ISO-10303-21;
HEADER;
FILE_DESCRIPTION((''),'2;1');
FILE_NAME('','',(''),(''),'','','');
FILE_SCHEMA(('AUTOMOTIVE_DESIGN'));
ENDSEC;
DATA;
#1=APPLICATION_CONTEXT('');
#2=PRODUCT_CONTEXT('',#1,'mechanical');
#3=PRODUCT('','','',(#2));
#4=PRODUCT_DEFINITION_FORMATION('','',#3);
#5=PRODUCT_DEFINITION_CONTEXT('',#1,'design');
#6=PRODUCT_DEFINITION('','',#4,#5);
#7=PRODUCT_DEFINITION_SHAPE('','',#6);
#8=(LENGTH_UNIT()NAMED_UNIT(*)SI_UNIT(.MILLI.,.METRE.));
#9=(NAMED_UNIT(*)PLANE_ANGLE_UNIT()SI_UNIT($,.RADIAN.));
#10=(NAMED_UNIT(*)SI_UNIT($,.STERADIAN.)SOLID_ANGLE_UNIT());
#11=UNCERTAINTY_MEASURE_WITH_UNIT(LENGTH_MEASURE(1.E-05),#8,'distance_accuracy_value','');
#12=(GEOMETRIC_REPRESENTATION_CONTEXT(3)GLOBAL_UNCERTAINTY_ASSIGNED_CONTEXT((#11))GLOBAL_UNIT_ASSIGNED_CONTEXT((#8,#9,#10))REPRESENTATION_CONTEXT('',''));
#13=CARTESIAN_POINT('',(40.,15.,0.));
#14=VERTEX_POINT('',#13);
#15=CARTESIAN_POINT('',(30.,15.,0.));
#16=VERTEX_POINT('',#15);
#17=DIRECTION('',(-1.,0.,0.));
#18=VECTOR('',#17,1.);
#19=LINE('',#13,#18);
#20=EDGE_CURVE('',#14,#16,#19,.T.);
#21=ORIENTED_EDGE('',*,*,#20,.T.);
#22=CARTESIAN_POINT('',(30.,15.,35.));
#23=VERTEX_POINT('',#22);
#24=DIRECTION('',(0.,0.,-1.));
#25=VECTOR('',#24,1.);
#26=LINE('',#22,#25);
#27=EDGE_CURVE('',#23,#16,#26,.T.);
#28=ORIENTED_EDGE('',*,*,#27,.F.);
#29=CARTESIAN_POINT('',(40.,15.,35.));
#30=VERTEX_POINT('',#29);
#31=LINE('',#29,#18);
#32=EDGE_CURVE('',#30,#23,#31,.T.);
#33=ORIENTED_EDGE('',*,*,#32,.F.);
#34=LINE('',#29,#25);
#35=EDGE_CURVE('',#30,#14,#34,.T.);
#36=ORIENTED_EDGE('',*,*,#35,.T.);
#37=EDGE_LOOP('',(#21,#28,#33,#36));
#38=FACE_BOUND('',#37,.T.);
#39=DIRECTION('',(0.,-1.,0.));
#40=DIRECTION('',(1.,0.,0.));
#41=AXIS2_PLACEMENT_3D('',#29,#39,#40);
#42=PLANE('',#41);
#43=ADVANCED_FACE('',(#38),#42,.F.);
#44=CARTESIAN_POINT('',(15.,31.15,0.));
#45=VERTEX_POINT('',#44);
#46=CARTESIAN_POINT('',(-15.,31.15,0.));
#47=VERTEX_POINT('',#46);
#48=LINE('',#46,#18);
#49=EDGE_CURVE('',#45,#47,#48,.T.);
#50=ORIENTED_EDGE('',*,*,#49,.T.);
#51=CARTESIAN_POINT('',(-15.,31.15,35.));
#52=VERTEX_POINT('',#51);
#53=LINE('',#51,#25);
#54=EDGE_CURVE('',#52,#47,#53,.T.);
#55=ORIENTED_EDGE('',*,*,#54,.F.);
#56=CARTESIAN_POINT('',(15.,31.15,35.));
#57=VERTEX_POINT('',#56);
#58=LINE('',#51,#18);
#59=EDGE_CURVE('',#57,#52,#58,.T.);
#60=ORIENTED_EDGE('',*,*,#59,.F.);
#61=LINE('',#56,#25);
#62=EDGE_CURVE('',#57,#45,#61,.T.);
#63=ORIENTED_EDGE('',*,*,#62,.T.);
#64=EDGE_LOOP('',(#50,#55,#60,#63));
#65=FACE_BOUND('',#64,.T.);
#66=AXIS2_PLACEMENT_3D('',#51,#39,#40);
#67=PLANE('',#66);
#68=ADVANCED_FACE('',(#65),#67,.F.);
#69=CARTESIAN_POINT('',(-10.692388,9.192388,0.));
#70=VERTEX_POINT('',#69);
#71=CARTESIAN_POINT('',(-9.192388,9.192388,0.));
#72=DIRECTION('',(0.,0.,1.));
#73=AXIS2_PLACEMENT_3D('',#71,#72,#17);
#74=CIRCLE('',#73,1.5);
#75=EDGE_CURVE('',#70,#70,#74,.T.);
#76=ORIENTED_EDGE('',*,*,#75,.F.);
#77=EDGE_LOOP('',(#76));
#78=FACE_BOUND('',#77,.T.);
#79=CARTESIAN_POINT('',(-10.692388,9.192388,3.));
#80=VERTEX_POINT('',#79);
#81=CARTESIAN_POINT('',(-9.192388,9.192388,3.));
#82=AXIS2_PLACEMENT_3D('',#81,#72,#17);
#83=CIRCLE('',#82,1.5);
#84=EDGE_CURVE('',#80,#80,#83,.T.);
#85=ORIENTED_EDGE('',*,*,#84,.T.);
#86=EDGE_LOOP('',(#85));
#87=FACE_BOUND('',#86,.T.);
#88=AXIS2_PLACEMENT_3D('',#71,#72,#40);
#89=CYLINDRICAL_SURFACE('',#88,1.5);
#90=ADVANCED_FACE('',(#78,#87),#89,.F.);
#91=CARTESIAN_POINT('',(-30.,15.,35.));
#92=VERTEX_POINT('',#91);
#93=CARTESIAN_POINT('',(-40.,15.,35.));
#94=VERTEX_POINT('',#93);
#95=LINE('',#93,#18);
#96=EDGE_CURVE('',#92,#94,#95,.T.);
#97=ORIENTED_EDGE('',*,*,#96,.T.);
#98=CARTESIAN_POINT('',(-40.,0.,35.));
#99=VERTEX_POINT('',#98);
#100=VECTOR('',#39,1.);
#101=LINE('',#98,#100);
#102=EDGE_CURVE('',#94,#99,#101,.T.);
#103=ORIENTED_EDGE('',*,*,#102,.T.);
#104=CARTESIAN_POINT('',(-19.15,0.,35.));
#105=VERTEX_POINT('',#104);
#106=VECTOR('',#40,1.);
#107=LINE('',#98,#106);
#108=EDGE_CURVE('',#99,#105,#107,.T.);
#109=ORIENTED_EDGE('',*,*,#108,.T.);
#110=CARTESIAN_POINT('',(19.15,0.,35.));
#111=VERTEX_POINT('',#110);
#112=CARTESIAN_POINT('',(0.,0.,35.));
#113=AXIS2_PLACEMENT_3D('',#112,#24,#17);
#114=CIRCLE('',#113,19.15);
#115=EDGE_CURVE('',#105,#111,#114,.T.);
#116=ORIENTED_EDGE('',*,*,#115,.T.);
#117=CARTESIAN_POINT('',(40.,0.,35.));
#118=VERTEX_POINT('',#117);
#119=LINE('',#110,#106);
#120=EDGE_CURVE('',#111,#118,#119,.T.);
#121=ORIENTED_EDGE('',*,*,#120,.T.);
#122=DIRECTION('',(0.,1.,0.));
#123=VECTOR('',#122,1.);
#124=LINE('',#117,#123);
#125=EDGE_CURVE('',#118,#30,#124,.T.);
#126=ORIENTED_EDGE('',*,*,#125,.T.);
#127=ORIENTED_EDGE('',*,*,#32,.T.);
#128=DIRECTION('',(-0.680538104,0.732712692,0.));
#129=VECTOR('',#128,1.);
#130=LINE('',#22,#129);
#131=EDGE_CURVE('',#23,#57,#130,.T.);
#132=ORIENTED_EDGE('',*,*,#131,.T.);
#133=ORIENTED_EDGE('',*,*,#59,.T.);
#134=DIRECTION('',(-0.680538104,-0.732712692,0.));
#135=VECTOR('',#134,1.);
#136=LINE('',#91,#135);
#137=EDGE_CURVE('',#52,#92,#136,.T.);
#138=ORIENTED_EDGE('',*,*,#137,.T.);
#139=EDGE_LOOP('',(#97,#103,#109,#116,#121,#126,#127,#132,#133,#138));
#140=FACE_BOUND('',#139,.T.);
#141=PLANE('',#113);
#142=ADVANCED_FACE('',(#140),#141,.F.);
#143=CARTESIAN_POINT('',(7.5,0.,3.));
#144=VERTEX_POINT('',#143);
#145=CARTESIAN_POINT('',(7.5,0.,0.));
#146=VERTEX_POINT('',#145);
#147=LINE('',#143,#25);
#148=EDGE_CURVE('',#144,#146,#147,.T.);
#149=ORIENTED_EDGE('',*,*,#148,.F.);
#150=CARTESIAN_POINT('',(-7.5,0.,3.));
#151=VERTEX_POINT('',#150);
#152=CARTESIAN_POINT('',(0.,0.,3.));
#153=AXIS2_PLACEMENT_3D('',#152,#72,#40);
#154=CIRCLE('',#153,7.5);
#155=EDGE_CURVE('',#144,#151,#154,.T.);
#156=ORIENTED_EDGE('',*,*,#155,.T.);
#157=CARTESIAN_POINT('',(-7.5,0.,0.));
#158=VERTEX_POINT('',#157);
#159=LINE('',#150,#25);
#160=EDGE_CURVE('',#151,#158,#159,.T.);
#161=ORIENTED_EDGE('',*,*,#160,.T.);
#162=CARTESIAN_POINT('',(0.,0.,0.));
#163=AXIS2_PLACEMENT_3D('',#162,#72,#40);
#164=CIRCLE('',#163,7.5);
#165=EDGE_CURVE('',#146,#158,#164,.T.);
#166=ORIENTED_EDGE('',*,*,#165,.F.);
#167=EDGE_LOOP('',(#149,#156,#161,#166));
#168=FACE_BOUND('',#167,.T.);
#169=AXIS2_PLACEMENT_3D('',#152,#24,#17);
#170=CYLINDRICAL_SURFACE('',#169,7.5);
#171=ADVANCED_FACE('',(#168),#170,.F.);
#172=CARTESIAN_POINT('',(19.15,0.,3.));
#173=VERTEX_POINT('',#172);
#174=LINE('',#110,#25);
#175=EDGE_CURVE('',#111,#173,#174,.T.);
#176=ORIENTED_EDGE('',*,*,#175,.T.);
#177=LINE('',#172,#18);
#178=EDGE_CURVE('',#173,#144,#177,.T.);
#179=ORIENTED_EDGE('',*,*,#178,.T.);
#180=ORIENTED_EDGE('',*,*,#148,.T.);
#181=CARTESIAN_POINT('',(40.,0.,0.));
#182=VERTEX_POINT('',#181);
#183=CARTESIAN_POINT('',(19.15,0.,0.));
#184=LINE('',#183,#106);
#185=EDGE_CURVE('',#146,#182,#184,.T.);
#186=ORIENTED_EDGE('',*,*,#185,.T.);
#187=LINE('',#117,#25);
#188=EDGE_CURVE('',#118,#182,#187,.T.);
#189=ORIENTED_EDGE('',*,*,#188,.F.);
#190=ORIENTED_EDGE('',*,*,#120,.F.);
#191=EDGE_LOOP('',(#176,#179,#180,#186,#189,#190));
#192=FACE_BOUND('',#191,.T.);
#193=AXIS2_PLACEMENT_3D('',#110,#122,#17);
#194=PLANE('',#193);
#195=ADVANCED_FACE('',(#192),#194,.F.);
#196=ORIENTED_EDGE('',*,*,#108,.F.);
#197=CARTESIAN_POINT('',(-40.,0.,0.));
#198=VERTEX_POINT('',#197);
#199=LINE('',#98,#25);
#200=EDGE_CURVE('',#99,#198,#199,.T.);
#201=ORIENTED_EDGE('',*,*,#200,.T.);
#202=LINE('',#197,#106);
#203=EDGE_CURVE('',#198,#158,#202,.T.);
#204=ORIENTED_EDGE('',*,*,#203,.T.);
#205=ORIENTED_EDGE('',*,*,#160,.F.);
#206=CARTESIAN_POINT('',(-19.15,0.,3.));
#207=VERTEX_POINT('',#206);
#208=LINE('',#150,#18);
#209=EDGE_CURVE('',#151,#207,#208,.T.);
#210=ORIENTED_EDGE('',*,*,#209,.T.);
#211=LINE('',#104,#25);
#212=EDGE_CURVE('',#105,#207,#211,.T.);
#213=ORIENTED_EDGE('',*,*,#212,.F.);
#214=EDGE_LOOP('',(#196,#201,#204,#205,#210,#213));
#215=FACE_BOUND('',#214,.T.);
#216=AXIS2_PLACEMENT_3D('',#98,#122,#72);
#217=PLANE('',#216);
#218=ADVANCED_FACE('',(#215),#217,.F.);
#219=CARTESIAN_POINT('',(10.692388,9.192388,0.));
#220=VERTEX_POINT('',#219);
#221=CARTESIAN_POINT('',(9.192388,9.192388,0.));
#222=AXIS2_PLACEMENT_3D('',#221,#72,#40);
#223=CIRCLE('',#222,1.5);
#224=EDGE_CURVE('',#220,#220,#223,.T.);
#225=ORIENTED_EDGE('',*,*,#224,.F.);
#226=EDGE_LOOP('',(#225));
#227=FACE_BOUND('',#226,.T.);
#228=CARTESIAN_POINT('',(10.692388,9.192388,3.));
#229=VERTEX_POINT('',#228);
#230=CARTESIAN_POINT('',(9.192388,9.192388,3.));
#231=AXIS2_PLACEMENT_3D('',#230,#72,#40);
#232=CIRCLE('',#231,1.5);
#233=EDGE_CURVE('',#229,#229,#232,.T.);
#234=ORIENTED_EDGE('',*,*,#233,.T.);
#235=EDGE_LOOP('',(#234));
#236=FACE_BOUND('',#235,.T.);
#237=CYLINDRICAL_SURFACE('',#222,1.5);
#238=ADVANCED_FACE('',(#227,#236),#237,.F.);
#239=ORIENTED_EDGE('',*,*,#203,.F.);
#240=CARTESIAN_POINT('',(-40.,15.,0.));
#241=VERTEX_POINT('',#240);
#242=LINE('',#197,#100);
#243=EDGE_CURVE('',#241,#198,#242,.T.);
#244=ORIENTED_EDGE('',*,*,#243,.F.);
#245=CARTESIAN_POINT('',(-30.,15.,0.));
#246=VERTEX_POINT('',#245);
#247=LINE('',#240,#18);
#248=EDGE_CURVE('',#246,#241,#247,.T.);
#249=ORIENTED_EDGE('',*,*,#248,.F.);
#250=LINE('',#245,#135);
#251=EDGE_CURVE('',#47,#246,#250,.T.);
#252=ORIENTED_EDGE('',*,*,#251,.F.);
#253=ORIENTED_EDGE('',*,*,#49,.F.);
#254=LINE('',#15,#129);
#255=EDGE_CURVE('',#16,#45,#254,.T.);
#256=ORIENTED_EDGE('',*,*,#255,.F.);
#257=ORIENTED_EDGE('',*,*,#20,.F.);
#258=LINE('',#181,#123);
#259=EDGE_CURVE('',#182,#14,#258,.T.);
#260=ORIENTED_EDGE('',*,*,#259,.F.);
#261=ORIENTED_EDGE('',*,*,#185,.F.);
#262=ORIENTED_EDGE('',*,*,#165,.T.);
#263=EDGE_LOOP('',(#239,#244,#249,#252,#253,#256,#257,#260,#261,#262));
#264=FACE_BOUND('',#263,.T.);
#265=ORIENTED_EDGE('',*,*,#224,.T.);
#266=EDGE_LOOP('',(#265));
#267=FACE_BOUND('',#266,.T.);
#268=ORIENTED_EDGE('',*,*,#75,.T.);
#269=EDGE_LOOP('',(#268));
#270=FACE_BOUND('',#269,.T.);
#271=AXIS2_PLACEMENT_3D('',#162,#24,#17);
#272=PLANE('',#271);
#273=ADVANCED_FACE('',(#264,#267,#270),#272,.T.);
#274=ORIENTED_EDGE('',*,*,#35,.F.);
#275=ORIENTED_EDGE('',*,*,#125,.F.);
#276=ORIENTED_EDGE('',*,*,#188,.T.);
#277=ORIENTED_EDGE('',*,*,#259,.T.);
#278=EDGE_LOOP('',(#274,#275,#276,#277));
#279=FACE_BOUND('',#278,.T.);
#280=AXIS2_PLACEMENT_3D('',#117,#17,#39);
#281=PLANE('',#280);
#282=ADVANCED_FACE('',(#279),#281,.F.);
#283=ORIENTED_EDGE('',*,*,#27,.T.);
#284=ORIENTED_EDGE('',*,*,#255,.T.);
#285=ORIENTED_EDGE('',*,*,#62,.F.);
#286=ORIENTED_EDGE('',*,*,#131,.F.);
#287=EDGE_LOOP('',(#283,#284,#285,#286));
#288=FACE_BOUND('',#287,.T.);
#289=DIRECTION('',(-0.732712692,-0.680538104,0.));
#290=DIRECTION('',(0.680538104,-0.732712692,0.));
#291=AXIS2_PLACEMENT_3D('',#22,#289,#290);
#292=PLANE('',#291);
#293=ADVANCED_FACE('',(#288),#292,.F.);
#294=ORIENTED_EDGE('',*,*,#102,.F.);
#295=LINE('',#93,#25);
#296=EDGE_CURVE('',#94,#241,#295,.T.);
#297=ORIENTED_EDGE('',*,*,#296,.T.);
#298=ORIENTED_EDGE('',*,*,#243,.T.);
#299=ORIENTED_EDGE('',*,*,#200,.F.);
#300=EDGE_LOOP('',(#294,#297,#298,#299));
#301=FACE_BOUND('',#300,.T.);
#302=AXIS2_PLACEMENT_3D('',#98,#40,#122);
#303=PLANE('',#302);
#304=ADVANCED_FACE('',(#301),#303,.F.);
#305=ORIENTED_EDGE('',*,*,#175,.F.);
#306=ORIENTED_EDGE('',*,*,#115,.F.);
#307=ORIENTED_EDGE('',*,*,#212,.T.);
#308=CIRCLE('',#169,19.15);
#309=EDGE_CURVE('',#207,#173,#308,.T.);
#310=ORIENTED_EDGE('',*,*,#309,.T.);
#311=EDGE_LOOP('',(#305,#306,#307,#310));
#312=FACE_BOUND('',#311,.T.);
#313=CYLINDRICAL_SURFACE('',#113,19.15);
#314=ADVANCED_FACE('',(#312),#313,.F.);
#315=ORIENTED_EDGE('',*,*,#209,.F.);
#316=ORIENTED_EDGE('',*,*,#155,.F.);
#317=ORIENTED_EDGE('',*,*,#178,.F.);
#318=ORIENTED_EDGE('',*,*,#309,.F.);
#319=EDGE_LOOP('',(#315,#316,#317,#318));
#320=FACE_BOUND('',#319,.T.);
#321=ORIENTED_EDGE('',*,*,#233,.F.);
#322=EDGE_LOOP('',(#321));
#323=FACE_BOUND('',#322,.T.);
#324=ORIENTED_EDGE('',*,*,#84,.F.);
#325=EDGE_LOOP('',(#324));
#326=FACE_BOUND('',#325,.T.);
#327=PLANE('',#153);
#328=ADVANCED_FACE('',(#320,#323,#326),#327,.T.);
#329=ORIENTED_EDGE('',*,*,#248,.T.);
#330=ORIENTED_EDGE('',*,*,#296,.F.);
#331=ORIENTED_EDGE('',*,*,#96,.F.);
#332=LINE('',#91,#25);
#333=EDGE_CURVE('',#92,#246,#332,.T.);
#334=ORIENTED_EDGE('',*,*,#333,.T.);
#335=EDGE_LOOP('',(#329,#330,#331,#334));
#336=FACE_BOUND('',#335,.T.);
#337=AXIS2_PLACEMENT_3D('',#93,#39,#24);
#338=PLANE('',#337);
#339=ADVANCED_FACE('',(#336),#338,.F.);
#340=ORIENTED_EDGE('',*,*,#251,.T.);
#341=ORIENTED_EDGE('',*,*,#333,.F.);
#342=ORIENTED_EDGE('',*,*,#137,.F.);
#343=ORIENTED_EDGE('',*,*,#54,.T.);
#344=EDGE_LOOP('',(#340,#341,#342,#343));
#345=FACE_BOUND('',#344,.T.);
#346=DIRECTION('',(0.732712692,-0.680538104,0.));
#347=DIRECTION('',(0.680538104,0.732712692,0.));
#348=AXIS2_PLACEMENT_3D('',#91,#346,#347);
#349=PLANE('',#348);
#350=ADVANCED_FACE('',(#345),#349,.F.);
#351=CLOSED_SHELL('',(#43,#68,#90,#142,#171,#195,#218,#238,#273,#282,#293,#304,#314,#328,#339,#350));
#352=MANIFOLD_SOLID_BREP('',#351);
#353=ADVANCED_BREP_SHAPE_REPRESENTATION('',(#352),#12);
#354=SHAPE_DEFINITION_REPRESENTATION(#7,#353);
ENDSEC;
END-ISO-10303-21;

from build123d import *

# Parameters (mm, degrees)
BOSS_EXTRUDE3_DEPTH = 35
BOSS_EXTRUDE4_DEPTH = 3
SKETCH4_R           = 1.5
CUT_EXTRUDE2_DEPTH  = 4


with BuildPart() as part:
    # Sketch1 → Boss-Extrude3 (new body)
    with BuildSketch(Plane.XY):
        with BuildLine():
            Line((19.15, 0), (40, 0))
            Line((40, 0), (40, 15))
            Line((40, 15), (30, 15))
            Line((30, 15), (15, 31.15))
            Line((15, 31.15), (-15, 31.15))
            Line((-15, 31.15), (-30, 15))
            Line((-30, 15), (-40, 15))
            Line((-40, 15), (-40, 0))
            Line((-40, 0), (-19.15, 0))
            ThreePointArc((-19.15, 0), (0, 19.15), (19.15, 0))
        make_face()
    extrude(amount=BOSS_EXTRUDE3_DEPTH)

    # Sketch6 → Boss-Extrude4 (add)
    with BuildSketch(Plane(origin=(0, 0, 0), x_dir=(-1, 0, 0), z_dir=(0, 0, -1))):
        with BuildLine():
            Line((-19.15, 0), (-7.5, 0))
            ThreePointArc((-7.5, 0), (0, 7.5), (7.5, 0))
            Line((7.5, 0), (19.15, 0))
            ThreePointArc((19.15, 0), (0, 19.15), (-19.15, 0))
        make_face()
    extrude(amount=-BOSS_EXTRUDE4_DEPTH)

    # Sketch4 → Cut-Extrude2 (cut, through all)
    with BuildSketch(Plane.XY.offset(3)):
        with Locations((9.192388155, 9.192388155)):
            Circle(SKETCH4_R)
        with Locations((-9.192388155, 9.192388155)):
            Circle(SKETCH4_R)
    extrude(amount=-CUT_EXTRUDE2_DEPTH, mode=Mode.SUBTRACT)


solid = part.part
